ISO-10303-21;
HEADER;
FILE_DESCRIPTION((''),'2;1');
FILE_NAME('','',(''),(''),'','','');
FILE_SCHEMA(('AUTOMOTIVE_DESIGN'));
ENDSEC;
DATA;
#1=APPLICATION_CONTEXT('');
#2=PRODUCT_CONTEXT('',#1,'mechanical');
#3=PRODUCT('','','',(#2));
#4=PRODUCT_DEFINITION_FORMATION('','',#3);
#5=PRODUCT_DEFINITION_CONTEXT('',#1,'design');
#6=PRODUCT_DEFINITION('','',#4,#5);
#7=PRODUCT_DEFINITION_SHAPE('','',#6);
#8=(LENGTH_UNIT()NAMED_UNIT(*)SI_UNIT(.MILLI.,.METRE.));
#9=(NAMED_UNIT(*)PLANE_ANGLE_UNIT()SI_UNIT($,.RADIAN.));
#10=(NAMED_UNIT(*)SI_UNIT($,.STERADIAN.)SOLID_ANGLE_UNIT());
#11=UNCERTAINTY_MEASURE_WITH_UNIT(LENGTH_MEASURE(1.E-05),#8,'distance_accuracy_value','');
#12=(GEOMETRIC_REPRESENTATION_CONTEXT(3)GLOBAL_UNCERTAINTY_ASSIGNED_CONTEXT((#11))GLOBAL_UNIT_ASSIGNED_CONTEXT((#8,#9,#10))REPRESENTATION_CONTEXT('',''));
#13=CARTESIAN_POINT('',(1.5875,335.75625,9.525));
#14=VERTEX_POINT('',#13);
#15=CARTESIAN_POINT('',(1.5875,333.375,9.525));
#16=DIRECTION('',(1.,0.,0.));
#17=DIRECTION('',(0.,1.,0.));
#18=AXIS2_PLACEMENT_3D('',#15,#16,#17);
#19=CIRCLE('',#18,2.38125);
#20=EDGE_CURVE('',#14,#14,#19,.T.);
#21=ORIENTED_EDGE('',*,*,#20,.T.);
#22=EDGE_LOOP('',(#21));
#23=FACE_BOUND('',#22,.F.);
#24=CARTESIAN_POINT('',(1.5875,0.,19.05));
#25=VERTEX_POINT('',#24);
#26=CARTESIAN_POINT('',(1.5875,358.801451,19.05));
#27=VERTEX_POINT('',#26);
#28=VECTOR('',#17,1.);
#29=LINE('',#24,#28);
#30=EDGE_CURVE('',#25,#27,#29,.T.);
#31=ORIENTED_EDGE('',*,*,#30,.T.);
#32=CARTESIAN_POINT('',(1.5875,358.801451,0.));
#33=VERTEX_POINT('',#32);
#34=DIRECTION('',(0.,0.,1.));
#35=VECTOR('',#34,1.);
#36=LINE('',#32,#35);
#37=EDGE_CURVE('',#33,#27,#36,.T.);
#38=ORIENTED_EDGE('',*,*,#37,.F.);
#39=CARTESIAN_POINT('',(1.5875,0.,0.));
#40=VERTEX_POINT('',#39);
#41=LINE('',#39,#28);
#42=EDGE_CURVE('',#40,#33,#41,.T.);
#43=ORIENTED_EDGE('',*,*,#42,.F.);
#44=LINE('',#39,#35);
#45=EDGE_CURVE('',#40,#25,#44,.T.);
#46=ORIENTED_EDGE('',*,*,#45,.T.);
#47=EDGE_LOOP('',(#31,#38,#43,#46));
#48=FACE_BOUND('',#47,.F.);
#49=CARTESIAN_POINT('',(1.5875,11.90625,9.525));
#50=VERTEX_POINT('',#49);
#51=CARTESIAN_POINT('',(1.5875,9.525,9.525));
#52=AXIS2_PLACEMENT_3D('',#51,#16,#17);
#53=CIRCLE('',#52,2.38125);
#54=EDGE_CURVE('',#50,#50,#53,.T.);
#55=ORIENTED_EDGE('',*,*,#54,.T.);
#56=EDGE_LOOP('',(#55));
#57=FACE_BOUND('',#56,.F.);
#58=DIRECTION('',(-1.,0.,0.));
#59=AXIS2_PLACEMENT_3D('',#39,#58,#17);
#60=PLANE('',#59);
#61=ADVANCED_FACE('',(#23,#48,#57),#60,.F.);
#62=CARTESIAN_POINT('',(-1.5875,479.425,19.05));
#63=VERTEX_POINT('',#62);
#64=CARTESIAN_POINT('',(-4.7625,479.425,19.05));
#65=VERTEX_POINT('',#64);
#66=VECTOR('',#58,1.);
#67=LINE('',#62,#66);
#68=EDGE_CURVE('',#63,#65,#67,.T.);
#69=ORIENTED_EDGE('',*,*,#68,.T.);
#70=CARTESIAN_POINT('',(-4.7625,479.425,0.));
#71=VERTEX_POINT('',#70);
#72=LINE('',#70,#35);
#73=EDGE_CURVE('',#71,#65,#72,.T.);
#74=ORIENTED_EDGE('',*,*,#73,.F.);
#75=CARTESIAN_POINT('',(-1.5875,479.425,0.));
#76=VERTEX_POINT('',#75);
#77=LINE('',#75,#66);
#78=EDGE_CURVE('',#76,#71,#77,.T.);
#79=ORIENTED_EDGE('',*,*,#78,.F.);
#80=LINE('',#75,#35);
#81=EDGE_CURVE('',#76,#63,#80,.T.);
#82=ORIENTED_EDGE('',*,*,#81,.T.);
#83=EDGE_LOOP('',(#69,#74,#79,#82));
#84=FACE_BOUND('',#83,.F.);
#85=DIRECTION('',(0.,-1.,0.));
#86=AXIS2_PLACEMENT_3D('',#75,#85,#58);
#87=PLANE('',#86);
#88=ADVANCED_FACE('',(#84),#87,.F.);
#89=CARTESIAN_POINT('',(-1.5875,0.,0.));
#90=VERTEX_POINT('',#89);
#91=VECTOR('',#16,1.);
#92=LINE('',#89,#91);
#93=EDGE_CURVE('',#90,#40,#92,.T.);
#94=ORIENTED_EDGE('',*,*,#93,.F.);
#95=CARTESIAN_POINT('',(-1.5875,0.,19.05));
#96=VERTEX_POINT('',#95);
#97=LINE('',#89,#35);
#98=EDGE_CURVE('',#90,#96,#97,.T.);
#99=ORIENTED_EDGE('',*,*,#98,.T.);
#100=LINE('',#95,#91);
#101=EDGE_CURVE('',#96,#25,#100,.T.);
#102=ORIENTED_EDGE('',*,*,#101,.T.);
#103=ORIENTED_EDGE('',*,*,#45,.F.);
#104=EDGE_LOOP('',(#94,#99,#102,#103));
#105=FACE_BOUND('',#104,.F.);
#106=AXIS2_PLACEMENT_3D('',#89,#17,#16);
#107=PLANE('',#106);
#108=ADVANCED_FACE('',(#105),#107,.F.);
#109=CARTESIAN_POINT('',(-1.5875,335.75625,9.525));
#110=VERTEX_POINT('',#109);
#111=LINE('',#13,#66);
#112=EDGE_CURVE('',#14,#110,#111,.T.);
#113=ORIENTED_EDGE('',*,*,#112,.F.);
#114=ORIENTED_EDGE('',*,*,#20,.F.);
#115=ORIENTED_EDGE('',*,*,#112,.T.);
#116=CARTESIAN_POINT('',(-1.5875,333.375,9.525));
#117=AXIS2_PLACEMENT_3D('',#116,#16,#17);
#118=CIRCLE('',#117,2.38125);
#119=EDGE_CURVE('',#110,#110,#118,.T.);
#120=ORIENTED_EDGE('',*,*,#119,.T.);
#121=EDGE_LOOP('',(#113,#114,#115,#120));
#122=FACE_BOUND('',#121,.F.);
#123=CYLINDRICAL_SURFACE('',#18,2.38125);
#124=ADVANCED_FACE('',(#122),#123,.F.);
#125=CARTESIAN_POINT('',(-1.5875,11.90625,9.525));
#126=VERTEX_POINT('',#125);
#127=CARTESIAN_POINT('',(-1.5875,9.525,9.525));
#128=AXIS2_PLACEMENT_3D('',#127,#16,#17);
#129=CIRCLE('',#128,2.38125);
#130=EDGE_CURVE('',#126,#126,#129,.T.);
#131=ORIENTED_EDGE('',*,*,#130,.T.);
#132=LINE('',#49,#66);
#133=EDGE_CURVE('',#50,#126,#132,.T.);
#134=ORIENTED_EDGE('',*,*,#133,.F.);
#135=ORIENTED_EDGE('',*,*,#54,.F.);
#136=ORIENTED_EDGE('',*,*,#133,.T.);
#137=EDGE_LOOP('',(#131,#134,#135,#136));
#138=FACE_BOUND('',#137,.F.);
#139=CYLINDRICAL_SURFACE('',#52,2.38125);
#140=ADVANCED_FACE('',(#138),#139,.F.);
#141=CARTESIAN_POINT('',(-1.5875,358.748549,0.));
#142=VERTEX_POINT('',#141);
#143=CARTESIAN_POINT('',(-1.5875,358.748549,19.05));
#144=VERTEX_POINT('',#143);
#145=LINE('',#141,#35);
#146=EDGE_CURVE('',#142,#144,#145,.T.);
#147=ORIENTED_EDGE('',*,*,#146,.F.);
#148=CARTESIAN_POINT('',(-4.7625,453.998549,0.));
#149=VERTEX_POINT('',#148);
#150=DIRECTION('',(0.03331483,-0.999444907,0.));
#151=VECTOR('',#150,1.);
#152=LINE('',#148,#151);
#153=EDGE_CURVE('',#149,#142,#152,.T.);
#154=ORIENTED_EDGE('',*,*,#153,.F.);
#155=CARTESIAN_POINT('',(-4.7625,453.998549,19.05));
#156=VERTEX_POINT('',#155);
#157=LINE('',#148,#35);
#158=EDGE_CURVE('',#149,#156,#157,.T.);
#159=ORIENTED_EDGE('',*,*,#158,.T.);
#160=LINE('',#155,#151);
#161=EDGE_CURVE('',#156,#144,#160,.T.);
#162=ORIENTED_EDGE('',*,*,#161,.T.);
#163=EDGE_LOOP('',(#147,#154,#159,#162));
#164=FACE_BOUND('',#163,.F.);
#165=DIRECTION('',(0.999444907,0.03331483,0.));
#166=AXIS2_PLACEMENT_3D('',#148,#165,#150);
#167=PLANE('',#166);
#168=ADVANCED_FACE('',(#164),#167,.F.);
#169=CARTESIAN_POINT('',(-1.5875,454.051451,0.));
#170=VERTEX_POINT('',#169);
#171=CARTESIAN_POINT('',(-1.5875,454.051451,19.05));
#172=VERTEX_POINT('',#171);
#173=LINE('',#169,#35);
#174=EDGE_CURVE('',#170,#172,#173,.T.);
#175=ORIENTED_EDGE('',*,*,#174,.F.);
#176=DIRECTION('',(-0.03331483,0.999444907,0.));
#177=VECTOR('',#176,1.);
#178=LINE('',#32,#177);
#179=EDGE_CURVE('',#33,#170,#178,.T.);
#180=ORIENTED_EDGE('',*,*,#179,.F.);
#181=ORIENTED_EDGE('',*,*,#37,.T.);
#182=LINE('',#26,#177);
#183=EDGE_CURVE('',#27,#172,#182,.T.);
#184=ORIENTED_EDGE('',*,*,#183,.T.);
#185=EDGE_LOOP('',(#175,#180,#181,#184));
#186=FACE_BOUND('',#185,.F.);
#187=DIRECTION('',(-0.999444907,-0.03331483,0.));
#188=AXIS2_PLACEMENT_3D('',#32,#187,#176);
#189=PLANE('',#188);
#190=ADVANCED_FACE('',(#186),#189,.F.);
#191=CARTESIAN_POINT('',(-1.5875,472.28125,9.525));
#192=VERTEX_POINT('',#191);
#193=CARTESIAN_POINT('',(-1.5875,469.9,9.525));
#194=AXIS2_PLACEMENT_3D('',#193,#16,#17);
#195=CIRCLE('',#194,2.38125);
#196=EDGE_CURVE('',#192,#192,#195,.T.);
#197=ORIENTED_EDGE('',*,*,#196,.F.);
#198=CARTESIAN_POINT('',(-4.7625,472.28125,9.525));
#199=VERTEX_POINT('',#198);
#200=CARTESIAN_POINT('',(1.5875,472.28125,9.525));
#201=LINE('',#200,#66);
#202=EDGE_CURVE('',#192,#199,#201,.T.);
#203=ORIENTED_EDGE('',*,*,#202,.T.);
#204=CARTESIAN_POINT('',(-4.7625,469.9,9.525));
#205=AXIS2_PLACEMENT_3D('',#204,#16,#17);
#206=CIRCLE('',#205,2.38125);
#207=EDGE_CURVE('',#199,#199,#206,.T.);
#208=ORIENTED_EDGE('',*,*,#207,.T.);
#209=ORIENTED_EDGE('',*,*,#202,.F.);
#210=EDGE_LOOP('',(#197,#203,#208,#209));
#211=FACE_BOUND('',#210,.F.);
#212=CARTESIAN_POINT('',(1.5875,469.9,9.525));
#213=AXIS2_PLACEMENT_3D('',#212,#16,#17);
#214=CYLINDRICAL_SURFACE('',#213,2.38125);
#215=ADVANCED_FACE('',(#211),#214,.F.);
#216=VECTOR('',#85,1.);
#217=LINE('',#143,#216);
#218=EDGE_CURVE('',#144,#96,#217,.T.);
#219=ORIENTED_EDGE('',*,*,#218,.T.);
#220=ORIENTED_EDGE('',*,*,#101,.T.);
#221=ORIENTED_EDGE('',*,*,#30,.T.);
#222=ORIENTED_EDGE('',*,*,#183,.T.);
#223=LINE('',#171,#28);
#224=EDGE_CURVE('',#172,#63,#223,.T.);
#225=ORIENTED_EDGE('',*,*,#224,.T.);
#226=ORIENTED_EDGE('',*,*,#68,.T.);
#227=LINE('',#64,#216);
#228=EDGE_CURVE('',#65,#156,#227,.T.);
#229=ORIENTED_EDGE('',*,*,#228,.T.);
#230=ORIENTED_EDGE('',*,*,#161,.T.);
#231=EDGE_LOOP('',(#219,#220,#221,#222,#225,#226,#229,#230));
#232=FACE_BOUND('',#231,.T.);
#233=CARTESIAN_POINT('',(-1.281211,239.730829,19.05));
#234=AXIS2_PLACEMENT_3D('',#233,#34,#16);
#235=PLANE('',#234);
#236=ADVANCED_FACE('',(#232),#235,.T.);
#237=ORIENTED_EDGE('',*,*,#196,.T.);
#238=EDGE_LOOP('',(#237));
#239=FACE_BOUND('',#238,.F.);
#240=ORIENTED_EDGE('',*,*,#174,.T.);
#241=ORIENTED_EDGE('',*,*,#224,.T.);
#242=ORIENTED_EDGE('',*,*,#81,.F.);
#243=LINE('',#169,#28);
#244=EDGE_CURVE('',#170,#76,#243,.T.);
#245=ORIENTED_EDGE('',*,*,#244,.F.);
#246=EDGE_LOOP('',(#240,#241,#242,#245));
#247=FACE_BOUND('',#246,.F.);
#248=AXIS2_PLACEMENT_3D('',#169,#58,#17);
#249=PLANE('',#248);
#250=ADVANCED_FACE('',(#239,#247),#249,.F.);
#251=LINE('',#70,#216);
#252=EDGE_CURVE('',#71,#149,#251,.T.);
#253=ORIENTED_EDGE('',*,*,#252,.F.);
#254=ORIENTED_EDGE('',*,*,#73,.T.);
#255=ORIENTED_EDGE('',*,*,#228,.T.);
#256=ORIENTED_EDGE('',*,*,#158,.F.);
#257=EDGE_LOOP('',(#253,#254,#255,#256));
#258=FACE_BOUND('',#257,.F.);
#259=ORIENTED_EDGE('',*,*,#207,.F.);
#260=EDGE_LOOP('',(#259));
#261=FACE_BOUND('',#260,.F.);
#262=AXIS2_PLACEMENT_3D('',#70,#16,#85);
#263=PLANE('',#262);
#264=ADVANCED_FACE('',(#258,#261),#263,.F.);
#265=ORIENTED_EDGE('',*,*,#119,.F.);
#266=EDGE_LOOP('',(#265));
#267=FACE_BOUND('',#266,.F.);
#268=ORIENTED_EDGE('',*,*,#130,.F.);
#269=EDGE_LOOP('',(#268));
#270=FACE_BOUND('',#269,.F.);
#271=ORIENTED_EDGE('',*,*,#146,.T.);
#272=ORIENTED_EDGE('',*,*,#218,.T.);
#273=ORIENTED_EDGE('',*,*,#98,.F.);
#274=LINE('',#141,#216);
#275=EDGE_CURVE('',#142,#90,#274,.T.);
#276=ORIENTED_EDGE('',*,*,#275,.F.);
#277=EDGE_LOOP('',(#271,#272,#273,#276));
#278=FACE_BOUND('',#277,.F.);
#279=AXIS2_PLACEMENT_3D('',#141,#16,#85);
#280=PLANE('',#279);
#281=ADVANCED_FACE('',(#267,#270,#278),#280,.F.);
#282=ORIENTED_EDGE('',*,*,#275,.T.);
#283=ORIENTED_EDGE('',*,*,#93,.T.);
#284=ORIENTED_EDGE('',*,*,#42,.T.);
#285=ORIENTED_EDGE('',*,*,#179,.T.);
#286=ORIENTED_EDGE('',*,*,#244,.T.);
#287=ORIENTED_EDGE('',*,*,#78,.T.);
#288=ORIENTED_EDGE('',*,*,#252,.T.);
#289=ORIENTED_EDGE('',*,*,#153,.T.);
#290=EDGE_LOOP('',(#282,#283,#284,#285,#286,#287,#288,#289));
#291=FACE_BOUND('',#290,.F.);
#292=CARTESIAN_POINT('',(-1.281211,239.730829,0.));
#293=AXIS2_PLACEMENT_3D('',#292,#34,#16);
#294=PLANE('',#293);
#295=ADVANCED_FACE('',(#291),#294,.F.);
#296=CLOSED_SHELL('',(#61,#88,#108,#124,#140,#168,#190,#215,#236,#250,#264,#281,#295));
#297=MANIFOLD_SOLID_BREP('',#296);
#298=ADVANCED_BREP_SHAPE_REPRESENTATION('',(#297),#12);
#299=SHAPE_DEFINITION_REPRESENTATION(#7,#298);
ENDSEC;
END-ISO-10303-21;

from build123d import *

# Parameters (mm, degrees)
F1_DEPTH = 19.05
F2_R     = 2.38125
F3_DEPTH = 6.35


with BuildPart() as f1:
    # F0 (on Top) → F1 (new body)
    with BuildSketch(Plane.XY):
        Polygon((-1.5875, 0), (0, 0), (0, 358.775), (-3.175, 454.025), (-3.175, 479.425), (-4.7625, 479.425), (-4.7625, 453.998549), (-1.5875, 358.748549), align=None)
        Polygon((0, 358.775), (0, 0), (1.5875, 0), (1.5875, 358.801451), (-1.5875, 454.051451), (-1.5875, 479.425), (-3.175, 479.425), (-3.175, 454.025), align=None)
    extrude(amount=F1_DEPTH)

    # F2 (on face) → F3 (cut)
    with BuildSketch(Plane.YZ.offset(1.5875)):
        with Locations((9.525, 9.525)):
            Circle(F2_R)
        with Locations((469.9, 9.525)):
            Circle(F2_R)
        with Locations((333.375, 9.525)):
            Circle(F2_R)
    extrude(amount=-F3_DEPTH, mode=Mode.SUBTRACT)


solid = f1.part
